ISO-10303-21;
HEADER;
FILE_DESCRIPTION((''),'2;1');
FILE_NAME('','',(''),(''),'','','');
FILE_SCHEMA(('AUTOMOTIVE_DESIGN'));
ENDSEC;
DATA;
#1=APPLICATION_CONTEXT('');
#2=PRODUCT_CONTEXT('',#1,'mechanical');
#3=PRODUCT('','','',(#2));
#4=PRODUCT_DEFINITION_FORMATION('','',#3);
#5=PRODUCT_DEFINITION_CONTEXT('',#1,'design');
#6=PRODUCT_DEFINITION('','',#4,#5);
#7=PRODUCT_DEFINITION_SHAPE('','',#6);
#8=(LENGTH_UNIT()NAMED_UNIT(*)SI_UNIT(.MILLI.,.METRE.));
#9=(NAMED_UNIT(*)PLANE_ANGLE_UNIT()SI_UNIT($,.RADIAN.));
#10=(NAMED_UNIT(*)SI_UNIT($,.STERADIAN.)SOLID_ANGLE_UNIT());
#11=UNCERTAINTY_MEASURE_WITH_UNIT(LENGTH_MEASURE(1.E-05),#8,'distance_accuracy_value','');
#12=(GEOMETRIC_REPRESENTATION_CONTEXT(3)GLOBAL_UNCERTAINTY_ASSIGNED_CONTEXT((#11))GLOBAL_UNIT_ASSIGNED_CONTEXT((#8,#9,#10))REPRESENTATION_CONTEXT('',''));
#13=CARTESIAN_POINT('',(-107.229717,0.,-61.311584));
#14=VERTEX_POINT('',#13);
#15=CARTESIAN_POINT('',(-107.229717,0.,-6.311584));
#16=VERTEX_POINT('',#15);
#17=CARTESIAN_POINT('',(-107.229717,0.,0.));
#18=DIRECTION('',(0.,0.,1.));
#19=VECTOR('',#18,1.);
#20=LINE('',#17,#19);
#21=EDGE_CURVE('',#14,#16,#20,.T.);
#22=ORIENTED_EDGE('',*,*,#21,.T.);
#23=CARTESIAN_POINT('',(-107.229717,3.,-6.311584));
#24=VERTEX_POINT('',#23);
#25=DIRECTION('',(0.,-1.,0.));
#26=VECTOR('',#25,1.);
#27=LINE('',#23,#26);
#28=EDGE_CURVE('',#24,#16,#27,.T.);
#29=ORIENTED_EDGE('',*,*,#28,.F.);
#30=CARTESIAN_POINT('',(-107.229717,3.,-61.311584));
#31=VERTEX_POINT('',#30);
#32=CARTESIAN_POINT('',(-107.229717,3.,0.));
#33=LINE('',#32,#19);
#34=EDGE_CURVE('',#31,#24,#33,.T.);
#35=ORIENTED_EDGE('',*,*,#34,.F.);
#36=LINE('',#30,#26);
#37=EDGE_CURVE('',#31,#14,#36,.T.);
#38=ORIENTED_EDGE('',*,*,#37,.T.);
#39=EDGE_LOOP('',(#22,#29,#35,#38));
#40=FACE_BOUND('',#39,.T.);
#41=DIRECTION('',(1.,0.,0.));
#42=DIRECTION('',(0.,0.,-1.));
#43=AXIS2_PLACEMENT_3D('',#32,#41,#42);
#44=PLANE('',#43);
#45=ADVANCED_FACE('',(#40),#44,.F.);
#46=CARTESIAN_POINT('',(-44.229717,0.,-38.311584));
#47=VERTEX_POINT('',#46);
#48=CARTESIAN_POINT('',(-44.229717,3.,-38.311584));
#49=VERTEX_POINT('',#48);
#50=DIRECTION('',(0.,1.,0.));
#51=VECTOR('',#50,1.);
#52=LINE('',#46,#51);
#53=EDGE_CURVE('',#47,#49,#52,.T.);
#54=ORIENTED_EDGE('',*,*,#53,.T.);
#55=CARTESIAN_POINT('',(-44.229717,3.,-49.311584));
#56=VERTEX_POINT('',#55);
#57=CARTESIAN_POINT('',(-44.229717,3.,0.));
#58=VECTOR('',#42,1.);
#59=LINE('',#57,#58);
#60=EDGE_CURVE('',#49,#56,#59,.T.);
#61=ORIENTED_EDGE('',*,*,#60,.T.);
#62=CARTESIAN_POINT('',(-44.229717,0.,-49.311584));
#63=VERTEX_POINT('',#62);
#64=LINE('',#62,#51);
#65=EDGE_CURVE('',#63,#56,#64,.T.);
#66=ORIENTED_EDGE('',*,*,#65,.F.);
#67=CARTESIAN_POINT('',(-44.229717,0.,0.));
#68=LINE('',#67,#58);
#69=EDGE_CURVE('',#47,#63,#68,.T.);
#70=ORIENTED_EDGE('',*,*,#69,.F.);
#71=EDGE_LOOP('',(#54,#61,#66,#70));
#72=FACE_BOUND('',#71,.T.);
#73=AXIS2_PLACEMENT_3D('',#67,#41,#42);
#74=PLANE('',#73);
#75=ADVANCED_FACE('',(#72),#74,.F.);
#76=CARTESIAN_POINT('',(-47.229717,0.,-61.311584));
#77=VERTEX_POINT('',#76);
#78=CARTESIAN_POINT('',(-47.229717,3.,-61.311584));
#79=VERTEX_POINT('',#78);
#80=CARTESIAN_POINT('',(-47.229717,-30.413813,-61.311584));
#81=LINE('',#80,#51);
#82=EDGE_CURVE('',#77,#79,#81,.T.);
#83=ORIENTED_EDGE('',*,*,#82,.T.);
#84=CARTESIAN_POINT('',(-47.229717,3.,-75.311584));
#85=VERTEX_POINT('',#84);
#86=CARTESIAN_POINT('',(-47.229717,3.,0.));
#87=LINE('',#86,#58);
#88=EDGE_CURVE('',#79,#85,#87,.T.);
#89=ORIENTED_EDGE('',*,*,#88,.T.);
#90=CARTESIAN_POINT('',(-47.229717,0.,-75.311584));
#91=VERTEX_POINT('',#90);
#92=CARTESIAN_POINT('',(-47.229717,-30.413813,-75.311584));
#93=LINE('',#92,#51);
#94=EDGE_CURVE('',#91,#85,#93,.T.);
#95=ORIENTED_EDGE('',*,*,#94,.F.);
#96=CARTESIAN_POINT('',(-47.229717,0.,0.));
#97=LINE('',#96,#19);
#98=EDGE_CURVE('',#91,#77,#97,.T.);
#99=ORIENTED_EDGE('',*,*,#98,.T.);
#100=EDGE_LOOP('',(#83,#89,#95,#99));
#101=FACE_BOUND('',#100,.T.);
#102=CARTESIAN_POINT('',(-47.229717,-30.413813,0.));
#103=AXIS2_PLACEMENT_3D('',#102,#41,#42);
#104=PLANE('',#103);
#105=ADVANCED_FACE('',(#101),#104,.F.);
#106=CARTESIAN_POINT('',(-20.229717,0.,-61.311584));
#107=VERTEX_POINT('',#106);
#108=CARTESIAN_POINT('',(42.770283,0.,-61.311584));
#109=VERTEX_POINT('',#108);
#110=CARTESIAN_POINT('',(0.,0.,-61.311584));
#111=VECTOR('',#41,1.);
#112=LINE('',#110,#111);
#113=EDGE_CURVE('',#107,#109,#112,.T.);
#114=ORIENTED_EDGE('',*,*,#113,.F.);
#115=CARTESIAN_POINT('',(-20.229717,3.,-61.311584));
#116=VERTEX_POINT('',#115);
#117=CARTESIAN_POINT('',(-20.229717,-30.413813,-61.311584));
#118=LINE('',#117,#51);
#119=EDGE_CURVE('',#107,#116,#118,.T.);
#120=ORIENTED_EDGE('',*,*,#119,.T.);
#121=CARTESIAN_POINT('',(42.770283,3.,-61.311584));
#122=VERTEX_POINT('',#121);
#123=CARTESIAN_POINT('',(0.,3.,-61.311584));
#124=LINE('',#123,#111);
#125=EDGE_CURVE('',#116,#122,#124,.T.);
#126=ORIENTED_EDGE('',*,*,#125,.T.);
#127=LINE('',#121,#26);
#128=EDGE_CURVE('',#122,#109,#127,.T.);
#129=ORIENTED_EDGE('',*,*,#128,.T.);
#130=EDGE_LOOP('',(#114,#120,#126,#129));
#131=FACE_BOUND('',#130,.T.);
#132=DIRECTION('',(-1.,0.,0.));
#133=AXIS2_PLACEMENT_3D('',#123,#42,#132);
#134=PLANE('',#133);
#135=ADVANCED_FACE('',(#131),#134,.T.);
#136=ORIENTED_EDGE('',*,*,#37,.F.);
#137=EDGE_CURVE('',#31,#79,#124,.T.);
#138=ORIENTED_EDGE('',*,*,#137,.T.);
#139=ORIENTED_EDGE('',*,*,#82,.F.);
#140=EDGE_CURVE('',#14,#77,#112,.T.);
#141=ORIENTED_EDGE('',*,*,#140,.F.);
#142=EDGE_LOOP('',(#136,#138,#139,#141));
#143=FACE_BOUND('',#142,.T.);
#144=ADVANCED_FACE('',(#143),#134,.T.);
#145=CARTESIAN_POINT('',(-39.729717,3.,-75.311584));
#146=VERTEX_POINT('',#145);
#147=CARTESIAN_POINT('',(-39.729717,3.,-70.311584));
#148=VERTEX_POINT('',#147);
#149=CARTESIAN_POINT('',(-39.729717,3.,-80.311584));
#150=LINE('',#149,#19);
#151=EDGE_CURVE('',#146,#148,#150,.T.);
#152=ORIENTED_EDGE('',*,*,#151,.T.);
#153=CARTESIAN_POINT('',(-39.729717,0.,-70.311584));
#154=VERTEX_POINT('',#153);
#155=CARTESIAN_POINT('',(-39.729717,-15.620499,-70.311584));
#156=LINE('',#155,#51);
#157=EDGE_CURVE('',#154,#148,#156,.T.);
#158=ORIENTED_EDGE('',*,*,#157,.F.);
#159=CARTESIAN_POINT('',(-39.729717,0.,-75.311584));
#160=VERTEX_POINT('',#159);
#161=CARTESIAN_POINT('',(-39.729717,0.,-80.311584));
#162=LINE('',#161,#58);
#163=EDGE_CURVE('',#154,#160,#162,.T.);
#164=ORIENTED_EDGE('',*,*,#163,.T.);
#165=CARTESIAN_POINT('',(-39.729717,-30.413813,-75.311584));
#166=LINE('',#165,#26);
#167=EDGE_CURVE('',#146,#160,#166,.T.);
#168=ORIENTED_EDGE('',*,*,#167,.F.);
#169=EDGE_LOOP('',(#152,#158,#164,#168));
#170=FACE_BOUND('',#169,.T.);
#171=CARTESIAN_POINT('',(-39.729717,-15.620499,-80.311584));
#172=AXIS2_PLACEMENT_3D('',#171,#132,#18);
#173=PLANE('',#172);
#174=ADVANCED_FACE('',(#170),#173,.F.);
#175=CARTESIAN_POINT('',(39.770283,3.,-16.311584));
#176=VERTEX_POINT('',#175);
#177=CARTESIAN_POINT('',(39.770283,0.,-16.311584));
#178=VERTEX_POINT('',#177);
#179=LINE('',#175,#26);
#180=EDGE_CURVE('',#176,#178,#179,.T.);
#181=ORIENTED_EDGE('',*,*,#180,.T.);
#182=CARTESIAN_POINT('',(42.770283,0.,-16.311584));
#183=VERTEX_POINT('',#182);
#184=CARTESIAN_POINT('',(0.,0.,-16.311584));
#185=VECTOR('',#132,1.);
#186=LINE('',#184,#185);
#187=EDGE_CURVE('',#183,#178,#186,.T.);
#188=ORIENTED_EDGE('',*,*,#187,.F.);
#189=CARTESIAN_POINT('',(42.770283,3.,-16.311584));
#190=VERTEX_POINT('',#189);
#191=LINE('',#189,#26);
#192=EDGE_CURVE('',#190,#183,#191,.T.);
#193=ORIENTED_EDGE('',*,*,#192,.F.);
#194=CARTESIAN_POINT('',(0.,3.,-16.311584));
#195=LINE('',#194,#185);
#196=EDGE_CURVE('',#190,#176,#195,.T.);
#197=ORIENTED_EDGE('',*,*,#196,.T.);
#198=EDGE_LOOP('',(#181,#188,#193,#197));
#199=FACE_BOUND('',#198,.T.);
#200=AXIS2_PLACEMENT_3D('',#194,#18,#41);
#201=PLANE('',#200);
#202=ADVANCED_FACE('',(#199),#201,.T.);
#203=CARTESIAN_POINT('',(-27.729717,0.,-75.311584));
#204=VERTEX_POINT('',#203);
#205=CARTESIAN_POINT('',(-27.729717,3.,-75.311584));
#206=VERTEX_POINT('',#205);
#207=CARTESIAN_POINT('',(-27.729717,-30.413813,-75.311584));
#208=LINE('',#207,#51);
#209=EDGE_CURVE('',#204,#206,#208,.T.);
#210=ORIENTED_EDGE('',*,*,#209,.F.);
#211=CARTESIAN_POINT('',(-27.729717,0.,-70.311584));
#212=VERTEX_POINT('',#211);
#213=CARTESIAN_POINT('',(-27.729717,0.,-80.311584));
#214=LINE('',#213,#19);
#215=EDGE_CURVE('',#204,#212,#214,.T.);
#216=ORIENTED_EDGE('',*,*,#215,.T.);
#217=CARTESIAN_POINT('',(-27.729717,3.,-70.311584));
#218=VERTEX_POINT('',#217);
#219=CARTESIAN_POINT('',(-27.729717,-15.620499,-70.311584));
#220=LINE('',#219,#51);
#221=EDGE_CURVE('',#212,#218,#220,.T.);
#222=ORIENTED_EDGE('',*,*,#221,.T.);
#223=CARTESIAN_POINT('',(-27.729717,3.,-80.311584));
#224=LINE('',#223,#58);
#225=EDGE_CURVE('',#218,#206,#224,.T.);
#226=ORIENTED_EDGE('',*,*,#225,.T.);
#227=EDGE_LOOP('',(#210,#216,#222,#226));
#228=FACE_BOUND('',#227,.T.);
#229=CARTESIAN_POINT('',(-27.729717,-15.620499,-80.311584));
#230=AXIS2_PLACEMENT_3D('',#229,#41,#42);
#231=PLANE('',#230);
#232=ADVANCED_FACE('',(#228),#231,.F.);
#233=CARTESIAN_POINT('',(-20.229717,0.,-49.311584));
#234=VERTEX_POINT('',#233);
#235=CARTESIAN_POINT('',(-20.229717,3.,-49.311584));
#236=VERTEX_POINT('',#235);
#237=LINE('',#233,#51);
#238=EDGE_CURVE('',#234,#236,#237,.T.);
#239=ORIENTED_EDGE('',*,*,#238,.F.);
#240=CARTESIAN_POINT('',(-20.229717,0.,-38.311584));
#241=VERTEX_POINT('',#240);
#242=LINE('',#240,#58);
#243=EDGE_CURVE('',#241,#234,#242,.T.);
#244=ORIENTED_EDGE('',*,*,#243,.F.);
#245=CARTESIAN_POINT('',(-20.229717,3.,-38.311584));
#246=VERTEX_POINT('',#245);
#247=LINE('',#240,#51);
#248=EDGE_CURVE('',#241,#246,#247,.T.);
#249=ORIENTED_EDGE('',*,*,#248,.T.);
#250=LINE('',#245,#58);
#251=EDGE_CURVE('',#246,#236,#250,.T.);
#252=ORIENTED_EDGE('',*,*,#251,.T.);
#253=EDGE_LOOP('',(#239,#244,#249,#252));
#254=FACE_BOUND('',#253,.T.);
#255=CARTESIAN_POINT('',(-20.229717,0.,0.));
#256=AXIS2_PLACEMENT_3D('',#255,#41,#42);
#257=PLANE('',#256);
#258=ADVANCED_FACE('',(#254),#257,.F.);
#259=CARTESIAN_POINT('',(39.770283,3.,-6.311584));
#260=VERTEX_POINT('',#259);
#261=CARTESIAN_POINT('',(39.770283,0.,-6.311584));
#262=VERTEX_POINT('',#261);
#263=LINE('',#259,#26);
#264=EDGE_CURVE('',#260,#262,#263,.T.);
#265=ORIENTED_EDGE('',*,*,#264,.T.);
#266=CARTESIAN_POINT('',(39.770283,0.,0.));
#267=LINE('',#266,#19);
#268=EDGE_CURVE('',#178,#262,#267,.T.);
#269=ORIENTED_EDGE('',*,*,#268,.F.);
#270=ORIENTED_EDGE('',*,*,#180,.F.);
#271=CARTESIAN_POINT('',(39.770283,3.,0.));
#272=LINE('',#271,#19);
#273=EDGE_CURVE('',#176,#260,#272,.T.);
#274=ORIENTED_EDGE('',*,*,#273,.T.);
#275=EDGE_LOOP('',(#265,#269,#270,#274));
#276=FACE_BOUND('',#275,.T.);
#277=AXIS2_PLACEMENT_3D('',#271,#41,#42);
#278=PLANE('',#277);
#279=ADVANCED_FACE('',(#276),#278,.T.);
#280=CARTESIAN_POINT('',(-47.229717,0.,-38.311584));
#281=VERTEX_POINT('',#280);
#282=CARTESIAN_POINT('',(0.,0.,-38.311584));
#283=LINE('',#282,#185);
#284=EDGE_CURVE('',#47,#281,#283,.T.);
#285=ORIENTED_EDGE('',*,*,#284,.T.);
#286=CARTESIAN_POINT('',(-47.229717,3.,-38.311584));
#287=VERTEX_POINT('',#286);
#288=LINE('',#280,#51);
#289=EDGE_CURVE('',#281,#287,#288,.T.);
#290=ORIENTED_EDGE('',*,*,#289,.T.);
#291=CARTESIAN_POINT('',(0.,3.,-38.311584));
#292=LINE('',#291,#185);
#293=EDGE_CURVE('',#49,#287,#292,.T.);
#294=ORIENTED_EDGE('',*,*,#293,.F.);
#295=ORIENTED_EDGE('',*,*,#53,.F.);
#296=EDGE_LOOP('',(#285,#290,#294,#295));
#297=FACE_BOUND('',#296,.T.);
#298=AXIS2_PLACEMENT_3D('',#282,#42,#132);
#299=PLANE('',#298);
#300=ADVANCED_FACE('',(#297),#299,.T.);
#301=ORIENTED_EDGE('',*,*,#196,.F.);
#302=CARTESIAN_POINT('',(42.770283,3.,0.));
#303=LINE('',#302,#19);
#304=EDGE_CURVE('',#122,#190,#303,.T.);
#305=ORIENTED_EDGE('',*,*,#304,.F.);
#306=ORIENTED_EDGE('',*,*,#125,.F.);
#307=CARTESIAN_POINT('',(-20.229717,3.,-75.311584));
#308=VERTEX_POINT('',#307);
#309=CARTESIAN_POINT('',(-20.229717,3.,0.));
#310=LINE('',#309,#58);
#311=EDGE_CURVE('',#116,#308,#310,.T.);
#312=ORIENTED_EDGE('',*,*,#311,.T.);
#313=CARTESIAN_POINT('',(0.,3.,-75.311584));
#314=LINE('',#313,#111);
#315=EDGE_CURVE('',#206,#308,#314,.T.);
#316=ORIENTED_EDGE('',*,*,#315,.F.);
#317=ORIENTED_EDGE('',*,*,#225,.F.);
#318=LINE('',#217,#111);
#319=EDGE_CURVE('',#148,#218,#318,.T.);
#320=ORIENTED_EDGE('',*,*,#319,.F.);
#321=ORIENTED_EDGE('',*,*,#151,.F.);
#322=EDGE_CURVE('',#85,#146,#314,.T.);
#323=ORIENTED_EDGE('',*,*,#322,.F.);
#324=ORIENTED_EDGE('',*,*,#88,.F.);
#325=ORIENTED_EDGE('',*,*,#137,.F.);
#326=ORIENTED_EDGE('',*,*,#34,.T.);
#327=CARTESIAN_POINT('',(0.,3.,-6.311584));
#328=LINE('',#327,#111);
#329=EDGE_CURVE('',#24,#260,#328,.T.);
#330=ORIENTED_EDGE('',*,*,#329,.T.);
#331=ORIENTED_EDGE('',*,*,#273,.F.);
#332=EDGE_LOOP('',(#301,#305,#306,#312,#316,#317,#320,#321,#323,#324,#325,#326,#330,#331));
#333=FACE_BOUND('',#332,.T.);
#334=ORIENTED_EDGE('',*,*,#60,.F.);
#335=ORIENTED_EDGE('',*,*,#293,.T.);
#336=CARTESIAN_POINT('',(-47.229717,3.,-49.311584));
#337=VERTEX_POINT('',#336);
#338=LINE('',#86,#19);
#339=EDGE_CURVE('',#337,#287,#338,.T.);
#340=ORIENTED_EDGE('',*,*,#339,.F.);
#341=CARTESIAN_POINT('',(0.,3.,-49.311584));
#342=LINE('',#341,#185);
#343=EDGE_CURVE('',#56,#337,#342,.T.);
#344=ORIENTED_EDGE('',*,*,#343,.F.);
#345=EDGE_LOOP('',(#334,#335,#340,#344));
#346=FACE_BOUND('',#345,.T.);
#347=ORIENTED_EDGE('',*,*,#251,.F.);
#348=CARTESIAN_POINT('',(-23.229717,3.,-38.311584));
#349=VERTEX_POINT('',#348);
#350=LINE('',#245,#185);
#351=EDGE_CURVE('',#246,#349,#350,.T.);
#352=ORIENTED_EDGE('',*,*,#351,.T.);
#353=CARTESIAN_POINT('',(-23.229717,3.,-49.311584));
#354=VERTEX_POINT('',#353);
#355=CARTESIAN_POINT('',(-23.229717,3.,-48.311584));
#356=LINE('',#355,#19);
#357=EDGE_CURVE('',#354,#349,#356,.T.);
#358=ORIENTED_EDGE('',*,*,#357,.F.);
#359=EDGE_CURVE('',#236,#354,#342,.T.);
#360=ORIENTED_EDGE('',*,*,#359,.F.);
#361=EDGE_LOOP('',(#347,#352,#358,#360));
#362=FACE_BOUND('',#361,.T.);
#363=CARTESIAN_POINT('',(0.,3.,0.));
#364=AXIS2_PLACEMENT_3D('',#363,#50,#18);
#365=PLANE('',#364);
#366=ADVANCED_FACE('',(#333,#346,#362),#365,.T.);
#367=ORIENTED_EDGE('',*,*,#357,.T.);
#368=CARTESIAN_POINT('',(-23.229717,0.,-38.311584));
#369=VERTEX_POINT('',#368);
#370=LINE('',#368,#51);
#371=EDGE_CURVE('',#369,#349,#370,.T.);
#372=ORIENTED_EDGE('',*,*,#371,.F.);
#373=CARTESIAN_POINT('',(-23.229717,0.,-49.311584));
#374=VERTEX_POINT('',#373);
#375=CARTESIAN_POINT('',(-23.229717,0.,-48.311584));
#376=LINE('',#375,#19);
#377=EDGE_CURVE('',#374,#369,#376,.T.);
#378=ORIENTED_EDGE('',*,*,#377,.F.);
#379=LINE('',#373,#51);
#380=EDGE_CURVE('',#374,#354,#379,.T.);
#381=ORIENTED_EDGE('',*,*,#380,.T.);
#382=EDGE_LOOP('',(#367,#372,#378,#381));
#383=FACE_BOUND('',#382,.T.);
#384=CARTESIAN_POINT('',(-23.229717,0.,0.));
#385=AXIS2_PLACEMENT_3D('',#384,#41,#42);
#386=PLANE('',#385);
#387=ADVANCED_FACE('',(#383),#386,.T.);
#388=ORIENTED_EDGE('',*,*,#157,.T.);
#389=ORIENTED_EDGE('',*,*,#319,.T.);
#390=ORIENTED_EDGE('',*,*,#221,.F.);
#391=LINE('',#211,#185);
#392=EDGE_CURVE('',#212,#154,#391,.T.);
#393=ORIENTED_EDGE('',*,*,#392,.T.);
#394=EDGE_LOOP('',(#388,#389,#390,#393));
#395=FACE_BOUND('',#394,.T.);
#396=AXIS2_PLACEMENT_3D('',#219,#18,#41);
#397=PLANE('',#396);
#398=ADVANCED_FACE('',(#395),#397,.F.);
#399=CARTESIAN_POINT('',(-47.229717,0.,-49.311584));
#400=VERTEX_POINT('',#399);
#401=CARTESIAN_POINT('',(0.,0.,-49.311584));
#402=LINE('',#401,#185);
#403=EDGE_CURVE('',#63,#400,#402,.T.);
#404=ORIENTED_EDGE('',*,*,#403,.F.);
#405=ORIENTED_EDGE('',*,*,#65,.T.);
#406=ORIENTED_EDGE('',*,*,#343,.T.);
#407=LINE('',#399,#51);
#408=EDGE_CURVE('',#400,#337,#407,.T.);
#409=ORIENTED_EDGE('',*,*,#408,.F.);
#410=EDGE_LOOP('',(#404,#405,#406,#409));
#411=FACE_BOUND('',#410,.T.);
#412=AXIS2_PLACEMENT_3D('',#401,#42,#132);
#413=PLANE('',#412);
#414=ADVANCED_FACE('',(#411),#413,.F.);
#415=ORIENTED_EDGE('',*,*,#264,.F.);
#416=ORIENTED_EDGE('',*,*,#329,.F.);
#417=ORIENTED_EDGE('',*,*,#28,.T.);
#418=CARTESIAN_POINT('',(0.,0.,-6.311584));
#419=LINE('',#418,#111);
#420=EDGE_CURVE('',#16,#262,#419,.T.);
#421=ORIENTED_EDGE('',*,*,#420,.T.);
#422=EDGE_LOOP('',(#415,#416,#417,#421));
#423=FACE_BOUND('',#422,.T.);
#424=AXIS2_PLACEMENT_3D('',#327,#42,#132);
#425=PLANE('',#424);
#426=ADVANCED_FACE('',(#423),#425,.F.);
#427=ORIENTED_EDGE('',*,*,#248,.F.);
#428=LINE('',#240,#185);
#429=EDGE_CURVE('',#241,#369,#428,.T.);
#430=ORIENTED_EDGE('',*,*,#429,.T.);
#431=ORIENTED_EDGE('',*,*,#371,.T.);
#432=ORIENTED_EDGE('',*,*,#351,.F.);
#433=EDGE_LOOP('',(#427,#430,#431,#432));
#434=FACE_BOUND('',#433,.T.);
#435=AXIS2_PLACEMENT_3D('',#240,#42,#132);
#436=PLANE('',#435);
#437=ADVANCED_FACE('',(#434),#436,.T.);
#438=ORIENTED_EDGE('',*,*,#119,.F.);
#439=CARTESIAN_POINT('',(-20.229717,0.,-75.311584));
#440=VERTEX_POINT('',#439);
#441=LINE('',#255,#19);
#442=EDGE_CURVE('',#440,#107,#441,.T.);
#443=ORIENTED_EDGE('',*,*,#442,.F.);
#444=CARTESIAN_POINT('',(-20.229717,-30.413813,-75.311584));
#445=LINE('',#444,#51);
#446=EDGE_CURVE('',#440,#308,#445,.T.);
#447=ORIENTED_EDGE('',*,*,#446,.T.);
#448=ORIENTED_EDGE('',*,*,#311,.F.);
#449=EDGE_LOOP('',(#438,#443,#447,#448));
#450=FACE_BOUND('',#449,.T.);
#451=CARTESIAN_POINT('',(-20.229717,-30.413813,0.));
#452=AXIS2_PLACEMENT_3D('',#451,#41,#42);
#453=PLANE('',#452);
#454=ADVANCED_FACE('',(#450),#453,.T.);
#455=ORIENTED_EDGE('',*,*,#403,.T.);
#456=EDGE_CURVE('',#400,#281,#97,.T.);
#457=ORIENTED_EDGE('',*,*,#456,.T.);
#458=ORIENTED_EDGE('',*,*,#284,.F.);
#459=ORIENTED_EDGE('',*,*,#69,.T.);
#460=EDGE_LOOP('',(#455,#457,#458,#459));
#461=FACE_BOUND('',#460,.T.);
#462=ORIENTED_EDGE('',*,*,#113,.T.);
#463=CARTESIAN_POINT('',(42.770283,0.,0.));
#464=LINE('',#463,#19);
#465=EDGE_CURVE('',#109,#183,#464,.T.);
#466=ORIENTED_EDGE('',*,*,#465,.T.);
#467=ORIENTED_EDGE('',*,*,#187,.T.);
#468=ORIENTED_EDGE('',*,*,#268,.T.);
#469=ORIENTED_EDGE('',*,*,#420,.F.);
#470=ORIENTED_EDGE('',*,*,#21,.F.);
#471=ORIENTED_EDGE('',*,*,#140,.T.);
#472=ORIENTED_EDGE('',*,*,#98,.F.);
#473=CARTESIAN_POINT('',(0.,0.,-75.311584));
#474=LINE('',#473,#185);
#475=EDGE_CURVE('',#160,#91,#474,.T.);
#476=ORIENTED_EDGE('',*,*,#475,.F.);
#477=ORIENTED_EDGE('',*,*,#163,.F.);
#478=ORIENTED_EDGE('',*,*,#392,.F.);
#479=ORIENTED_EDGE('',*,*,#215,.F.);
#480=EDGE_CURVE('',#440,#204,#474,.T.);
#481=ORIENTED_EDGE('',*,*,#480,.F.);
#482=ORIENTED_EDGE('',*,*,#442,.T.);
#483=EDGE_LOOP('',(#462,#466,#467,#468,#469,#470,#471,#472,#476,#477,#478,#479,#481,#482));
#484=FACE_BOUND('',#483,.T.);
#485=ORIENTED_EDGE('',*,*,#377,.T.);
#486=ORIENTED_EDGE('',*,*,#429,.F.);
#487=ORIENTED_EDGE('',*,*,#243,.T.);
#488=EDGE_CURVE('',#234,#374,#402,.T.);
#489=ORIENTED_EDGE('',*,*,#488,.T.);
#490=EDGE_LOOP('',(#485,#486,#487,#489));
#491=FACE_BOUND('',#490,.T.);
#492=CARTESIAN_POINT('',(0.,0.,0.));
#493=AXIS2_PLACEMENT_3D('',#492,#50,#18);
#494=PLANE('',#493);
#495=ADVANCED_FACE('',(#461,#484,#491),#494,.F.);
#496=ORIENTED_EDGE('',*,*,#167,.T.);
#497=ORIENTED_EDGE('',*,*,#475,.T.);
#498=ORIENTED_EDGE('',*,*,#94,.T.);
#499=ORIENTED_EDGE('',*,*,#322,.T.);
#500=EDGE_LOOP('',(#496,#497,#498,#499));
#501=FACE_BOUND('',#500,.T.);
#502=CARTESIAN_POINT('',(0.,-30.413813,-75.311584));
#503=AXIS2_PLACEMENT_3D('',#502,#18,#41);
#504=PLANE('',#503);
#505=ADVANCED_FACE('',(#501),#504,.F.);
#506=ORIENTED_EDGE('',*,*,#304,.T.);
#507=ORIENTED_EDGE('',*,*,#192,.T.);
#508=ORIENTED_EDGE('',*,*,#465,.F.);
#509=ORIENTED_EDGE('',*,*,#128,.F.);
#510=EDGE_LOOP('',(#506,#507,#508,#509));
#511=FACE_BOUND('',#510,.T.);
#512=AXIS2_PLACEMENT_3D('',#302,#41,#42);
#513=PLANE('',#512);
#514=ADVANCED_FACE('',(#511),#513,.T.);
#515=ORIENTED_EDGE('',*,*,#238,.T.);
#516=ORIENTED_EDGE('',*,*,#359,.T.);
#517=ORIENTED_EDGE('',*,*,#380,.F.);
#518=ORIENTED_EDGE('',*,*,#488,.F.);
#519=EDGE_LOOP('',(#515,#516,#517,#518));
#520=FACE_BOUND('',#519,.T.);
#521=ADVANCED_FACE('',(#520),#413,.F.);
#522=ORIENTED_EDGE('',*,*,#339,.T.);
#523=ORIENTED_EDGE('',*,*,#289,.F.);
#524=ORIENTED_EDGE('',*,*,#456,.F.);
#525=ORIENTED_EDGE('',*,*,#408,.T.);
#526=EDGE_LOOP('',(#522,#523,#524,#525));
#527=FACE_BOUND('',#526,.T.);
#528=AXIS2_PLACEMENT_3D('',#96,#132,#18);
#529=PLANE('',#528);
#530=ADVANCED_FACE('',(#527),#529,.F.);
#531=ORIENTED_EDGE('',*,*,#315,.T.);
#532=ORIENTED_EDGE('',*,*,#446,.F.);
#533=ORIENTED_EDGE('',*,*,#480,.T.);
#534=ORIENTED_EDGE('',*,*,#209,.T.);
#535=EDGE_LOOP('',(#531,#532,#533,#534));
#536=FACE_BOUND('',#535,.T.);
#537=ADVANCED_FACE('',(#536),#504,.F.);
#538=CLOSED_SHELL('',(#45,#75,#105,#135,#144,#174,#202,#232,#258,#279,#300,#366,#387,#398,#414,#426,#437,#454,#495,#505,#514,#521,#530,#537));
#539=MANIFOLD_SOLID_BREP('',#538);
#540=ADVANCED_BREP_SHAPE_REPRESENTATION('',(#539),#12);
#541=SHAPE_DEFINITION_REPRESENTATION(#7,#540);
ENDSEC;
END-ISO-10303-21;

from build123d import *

# Parameters (mm, degrees)
BOSS_EXTRUDE1_DEPTH = 3
SKETCH2_W           = 3
SKETCH2_H           = 11
CUT_EXTRUDE2_DEPTH  = 3
BOSS_EXTRUDE3_DEPTH = 3
SKETCH4_W           = 12
SKETCH4_H           = 10
CUT_EXTRUDE3_DEPTH  = 3


with BuildPart() as part:
    # Sketch1 → Boss-Extrude1 (new body)
    with BuildSketch(Plane(origin=(0, 0, 0), x_dir=(1, 0, 0), z_dir=(0, 1, 0))):
        Polygon((-104.229716691, 61.311583722), (-107.229716691, 61.311583722), (-107.229716691, 51.311583722), (-107.229716691, 6.311583722), (39.770283309, 6.311583722), (39.770283309, 16.311583722), (42.770283309, 16.311583722), (42.770283309, 61.311583722), align=None)
    extrude(amount=BOSS_EXTRUDE1_DEPTH)

    # Sketch2 → Cut-Extrude2 (cut)
    with BuildSketch(Plane(origin=(0, 3, 0), x_dir=(1, 0, 0), z_dir=(0, 1, 0))):
        with Locations((-45.729716691, 43.811583722)):
            Rectangle(SKETCH2_W, SKETCH2_H)
        with Locations((-21.729716691, 43.811583722)):
            Rectangle(SKETCH2_W, SKETCH2_H)
    extrude(amount=-CUT_EXTRUDE2_DEPTH, mode=Mode.SUBTRACT)

    # Sketch3 → Boss-Extrude3 (add)
    with BuildSketch(Plane(origin=(0, 3, 0), x_dir=(1, 0, 0), z_dir=(0, 1, 0))):
        Polygon((-47.229716691, 70.310935644), (-47.229716691, 61.311583722), (-20.229716691, 61.311583722), (-20.229716691, 70.310935644), (-20.229716691, 75.311583722), (-47.229716691, 75.311583722), align=None)
    extrude(amount=-BOSS_EXTRUDE3_DEPTH)

    # Sketch4 → Cut-Extrude3 (cut)
    with BuildSketch(Plane(origin=(0, 3, 0), x_dir=(1, 0, 0), z_dir=(0, 1, 0))):
        with Locations((-33.729716691, 75.311583722)):
            Rectangle(SKETCH4_W, SKETCH4_H)
    extrude(amount=-CUT_EXTRUDE3_DEPTH, mode=Mode.SUBTRACT)


solid = part.part
